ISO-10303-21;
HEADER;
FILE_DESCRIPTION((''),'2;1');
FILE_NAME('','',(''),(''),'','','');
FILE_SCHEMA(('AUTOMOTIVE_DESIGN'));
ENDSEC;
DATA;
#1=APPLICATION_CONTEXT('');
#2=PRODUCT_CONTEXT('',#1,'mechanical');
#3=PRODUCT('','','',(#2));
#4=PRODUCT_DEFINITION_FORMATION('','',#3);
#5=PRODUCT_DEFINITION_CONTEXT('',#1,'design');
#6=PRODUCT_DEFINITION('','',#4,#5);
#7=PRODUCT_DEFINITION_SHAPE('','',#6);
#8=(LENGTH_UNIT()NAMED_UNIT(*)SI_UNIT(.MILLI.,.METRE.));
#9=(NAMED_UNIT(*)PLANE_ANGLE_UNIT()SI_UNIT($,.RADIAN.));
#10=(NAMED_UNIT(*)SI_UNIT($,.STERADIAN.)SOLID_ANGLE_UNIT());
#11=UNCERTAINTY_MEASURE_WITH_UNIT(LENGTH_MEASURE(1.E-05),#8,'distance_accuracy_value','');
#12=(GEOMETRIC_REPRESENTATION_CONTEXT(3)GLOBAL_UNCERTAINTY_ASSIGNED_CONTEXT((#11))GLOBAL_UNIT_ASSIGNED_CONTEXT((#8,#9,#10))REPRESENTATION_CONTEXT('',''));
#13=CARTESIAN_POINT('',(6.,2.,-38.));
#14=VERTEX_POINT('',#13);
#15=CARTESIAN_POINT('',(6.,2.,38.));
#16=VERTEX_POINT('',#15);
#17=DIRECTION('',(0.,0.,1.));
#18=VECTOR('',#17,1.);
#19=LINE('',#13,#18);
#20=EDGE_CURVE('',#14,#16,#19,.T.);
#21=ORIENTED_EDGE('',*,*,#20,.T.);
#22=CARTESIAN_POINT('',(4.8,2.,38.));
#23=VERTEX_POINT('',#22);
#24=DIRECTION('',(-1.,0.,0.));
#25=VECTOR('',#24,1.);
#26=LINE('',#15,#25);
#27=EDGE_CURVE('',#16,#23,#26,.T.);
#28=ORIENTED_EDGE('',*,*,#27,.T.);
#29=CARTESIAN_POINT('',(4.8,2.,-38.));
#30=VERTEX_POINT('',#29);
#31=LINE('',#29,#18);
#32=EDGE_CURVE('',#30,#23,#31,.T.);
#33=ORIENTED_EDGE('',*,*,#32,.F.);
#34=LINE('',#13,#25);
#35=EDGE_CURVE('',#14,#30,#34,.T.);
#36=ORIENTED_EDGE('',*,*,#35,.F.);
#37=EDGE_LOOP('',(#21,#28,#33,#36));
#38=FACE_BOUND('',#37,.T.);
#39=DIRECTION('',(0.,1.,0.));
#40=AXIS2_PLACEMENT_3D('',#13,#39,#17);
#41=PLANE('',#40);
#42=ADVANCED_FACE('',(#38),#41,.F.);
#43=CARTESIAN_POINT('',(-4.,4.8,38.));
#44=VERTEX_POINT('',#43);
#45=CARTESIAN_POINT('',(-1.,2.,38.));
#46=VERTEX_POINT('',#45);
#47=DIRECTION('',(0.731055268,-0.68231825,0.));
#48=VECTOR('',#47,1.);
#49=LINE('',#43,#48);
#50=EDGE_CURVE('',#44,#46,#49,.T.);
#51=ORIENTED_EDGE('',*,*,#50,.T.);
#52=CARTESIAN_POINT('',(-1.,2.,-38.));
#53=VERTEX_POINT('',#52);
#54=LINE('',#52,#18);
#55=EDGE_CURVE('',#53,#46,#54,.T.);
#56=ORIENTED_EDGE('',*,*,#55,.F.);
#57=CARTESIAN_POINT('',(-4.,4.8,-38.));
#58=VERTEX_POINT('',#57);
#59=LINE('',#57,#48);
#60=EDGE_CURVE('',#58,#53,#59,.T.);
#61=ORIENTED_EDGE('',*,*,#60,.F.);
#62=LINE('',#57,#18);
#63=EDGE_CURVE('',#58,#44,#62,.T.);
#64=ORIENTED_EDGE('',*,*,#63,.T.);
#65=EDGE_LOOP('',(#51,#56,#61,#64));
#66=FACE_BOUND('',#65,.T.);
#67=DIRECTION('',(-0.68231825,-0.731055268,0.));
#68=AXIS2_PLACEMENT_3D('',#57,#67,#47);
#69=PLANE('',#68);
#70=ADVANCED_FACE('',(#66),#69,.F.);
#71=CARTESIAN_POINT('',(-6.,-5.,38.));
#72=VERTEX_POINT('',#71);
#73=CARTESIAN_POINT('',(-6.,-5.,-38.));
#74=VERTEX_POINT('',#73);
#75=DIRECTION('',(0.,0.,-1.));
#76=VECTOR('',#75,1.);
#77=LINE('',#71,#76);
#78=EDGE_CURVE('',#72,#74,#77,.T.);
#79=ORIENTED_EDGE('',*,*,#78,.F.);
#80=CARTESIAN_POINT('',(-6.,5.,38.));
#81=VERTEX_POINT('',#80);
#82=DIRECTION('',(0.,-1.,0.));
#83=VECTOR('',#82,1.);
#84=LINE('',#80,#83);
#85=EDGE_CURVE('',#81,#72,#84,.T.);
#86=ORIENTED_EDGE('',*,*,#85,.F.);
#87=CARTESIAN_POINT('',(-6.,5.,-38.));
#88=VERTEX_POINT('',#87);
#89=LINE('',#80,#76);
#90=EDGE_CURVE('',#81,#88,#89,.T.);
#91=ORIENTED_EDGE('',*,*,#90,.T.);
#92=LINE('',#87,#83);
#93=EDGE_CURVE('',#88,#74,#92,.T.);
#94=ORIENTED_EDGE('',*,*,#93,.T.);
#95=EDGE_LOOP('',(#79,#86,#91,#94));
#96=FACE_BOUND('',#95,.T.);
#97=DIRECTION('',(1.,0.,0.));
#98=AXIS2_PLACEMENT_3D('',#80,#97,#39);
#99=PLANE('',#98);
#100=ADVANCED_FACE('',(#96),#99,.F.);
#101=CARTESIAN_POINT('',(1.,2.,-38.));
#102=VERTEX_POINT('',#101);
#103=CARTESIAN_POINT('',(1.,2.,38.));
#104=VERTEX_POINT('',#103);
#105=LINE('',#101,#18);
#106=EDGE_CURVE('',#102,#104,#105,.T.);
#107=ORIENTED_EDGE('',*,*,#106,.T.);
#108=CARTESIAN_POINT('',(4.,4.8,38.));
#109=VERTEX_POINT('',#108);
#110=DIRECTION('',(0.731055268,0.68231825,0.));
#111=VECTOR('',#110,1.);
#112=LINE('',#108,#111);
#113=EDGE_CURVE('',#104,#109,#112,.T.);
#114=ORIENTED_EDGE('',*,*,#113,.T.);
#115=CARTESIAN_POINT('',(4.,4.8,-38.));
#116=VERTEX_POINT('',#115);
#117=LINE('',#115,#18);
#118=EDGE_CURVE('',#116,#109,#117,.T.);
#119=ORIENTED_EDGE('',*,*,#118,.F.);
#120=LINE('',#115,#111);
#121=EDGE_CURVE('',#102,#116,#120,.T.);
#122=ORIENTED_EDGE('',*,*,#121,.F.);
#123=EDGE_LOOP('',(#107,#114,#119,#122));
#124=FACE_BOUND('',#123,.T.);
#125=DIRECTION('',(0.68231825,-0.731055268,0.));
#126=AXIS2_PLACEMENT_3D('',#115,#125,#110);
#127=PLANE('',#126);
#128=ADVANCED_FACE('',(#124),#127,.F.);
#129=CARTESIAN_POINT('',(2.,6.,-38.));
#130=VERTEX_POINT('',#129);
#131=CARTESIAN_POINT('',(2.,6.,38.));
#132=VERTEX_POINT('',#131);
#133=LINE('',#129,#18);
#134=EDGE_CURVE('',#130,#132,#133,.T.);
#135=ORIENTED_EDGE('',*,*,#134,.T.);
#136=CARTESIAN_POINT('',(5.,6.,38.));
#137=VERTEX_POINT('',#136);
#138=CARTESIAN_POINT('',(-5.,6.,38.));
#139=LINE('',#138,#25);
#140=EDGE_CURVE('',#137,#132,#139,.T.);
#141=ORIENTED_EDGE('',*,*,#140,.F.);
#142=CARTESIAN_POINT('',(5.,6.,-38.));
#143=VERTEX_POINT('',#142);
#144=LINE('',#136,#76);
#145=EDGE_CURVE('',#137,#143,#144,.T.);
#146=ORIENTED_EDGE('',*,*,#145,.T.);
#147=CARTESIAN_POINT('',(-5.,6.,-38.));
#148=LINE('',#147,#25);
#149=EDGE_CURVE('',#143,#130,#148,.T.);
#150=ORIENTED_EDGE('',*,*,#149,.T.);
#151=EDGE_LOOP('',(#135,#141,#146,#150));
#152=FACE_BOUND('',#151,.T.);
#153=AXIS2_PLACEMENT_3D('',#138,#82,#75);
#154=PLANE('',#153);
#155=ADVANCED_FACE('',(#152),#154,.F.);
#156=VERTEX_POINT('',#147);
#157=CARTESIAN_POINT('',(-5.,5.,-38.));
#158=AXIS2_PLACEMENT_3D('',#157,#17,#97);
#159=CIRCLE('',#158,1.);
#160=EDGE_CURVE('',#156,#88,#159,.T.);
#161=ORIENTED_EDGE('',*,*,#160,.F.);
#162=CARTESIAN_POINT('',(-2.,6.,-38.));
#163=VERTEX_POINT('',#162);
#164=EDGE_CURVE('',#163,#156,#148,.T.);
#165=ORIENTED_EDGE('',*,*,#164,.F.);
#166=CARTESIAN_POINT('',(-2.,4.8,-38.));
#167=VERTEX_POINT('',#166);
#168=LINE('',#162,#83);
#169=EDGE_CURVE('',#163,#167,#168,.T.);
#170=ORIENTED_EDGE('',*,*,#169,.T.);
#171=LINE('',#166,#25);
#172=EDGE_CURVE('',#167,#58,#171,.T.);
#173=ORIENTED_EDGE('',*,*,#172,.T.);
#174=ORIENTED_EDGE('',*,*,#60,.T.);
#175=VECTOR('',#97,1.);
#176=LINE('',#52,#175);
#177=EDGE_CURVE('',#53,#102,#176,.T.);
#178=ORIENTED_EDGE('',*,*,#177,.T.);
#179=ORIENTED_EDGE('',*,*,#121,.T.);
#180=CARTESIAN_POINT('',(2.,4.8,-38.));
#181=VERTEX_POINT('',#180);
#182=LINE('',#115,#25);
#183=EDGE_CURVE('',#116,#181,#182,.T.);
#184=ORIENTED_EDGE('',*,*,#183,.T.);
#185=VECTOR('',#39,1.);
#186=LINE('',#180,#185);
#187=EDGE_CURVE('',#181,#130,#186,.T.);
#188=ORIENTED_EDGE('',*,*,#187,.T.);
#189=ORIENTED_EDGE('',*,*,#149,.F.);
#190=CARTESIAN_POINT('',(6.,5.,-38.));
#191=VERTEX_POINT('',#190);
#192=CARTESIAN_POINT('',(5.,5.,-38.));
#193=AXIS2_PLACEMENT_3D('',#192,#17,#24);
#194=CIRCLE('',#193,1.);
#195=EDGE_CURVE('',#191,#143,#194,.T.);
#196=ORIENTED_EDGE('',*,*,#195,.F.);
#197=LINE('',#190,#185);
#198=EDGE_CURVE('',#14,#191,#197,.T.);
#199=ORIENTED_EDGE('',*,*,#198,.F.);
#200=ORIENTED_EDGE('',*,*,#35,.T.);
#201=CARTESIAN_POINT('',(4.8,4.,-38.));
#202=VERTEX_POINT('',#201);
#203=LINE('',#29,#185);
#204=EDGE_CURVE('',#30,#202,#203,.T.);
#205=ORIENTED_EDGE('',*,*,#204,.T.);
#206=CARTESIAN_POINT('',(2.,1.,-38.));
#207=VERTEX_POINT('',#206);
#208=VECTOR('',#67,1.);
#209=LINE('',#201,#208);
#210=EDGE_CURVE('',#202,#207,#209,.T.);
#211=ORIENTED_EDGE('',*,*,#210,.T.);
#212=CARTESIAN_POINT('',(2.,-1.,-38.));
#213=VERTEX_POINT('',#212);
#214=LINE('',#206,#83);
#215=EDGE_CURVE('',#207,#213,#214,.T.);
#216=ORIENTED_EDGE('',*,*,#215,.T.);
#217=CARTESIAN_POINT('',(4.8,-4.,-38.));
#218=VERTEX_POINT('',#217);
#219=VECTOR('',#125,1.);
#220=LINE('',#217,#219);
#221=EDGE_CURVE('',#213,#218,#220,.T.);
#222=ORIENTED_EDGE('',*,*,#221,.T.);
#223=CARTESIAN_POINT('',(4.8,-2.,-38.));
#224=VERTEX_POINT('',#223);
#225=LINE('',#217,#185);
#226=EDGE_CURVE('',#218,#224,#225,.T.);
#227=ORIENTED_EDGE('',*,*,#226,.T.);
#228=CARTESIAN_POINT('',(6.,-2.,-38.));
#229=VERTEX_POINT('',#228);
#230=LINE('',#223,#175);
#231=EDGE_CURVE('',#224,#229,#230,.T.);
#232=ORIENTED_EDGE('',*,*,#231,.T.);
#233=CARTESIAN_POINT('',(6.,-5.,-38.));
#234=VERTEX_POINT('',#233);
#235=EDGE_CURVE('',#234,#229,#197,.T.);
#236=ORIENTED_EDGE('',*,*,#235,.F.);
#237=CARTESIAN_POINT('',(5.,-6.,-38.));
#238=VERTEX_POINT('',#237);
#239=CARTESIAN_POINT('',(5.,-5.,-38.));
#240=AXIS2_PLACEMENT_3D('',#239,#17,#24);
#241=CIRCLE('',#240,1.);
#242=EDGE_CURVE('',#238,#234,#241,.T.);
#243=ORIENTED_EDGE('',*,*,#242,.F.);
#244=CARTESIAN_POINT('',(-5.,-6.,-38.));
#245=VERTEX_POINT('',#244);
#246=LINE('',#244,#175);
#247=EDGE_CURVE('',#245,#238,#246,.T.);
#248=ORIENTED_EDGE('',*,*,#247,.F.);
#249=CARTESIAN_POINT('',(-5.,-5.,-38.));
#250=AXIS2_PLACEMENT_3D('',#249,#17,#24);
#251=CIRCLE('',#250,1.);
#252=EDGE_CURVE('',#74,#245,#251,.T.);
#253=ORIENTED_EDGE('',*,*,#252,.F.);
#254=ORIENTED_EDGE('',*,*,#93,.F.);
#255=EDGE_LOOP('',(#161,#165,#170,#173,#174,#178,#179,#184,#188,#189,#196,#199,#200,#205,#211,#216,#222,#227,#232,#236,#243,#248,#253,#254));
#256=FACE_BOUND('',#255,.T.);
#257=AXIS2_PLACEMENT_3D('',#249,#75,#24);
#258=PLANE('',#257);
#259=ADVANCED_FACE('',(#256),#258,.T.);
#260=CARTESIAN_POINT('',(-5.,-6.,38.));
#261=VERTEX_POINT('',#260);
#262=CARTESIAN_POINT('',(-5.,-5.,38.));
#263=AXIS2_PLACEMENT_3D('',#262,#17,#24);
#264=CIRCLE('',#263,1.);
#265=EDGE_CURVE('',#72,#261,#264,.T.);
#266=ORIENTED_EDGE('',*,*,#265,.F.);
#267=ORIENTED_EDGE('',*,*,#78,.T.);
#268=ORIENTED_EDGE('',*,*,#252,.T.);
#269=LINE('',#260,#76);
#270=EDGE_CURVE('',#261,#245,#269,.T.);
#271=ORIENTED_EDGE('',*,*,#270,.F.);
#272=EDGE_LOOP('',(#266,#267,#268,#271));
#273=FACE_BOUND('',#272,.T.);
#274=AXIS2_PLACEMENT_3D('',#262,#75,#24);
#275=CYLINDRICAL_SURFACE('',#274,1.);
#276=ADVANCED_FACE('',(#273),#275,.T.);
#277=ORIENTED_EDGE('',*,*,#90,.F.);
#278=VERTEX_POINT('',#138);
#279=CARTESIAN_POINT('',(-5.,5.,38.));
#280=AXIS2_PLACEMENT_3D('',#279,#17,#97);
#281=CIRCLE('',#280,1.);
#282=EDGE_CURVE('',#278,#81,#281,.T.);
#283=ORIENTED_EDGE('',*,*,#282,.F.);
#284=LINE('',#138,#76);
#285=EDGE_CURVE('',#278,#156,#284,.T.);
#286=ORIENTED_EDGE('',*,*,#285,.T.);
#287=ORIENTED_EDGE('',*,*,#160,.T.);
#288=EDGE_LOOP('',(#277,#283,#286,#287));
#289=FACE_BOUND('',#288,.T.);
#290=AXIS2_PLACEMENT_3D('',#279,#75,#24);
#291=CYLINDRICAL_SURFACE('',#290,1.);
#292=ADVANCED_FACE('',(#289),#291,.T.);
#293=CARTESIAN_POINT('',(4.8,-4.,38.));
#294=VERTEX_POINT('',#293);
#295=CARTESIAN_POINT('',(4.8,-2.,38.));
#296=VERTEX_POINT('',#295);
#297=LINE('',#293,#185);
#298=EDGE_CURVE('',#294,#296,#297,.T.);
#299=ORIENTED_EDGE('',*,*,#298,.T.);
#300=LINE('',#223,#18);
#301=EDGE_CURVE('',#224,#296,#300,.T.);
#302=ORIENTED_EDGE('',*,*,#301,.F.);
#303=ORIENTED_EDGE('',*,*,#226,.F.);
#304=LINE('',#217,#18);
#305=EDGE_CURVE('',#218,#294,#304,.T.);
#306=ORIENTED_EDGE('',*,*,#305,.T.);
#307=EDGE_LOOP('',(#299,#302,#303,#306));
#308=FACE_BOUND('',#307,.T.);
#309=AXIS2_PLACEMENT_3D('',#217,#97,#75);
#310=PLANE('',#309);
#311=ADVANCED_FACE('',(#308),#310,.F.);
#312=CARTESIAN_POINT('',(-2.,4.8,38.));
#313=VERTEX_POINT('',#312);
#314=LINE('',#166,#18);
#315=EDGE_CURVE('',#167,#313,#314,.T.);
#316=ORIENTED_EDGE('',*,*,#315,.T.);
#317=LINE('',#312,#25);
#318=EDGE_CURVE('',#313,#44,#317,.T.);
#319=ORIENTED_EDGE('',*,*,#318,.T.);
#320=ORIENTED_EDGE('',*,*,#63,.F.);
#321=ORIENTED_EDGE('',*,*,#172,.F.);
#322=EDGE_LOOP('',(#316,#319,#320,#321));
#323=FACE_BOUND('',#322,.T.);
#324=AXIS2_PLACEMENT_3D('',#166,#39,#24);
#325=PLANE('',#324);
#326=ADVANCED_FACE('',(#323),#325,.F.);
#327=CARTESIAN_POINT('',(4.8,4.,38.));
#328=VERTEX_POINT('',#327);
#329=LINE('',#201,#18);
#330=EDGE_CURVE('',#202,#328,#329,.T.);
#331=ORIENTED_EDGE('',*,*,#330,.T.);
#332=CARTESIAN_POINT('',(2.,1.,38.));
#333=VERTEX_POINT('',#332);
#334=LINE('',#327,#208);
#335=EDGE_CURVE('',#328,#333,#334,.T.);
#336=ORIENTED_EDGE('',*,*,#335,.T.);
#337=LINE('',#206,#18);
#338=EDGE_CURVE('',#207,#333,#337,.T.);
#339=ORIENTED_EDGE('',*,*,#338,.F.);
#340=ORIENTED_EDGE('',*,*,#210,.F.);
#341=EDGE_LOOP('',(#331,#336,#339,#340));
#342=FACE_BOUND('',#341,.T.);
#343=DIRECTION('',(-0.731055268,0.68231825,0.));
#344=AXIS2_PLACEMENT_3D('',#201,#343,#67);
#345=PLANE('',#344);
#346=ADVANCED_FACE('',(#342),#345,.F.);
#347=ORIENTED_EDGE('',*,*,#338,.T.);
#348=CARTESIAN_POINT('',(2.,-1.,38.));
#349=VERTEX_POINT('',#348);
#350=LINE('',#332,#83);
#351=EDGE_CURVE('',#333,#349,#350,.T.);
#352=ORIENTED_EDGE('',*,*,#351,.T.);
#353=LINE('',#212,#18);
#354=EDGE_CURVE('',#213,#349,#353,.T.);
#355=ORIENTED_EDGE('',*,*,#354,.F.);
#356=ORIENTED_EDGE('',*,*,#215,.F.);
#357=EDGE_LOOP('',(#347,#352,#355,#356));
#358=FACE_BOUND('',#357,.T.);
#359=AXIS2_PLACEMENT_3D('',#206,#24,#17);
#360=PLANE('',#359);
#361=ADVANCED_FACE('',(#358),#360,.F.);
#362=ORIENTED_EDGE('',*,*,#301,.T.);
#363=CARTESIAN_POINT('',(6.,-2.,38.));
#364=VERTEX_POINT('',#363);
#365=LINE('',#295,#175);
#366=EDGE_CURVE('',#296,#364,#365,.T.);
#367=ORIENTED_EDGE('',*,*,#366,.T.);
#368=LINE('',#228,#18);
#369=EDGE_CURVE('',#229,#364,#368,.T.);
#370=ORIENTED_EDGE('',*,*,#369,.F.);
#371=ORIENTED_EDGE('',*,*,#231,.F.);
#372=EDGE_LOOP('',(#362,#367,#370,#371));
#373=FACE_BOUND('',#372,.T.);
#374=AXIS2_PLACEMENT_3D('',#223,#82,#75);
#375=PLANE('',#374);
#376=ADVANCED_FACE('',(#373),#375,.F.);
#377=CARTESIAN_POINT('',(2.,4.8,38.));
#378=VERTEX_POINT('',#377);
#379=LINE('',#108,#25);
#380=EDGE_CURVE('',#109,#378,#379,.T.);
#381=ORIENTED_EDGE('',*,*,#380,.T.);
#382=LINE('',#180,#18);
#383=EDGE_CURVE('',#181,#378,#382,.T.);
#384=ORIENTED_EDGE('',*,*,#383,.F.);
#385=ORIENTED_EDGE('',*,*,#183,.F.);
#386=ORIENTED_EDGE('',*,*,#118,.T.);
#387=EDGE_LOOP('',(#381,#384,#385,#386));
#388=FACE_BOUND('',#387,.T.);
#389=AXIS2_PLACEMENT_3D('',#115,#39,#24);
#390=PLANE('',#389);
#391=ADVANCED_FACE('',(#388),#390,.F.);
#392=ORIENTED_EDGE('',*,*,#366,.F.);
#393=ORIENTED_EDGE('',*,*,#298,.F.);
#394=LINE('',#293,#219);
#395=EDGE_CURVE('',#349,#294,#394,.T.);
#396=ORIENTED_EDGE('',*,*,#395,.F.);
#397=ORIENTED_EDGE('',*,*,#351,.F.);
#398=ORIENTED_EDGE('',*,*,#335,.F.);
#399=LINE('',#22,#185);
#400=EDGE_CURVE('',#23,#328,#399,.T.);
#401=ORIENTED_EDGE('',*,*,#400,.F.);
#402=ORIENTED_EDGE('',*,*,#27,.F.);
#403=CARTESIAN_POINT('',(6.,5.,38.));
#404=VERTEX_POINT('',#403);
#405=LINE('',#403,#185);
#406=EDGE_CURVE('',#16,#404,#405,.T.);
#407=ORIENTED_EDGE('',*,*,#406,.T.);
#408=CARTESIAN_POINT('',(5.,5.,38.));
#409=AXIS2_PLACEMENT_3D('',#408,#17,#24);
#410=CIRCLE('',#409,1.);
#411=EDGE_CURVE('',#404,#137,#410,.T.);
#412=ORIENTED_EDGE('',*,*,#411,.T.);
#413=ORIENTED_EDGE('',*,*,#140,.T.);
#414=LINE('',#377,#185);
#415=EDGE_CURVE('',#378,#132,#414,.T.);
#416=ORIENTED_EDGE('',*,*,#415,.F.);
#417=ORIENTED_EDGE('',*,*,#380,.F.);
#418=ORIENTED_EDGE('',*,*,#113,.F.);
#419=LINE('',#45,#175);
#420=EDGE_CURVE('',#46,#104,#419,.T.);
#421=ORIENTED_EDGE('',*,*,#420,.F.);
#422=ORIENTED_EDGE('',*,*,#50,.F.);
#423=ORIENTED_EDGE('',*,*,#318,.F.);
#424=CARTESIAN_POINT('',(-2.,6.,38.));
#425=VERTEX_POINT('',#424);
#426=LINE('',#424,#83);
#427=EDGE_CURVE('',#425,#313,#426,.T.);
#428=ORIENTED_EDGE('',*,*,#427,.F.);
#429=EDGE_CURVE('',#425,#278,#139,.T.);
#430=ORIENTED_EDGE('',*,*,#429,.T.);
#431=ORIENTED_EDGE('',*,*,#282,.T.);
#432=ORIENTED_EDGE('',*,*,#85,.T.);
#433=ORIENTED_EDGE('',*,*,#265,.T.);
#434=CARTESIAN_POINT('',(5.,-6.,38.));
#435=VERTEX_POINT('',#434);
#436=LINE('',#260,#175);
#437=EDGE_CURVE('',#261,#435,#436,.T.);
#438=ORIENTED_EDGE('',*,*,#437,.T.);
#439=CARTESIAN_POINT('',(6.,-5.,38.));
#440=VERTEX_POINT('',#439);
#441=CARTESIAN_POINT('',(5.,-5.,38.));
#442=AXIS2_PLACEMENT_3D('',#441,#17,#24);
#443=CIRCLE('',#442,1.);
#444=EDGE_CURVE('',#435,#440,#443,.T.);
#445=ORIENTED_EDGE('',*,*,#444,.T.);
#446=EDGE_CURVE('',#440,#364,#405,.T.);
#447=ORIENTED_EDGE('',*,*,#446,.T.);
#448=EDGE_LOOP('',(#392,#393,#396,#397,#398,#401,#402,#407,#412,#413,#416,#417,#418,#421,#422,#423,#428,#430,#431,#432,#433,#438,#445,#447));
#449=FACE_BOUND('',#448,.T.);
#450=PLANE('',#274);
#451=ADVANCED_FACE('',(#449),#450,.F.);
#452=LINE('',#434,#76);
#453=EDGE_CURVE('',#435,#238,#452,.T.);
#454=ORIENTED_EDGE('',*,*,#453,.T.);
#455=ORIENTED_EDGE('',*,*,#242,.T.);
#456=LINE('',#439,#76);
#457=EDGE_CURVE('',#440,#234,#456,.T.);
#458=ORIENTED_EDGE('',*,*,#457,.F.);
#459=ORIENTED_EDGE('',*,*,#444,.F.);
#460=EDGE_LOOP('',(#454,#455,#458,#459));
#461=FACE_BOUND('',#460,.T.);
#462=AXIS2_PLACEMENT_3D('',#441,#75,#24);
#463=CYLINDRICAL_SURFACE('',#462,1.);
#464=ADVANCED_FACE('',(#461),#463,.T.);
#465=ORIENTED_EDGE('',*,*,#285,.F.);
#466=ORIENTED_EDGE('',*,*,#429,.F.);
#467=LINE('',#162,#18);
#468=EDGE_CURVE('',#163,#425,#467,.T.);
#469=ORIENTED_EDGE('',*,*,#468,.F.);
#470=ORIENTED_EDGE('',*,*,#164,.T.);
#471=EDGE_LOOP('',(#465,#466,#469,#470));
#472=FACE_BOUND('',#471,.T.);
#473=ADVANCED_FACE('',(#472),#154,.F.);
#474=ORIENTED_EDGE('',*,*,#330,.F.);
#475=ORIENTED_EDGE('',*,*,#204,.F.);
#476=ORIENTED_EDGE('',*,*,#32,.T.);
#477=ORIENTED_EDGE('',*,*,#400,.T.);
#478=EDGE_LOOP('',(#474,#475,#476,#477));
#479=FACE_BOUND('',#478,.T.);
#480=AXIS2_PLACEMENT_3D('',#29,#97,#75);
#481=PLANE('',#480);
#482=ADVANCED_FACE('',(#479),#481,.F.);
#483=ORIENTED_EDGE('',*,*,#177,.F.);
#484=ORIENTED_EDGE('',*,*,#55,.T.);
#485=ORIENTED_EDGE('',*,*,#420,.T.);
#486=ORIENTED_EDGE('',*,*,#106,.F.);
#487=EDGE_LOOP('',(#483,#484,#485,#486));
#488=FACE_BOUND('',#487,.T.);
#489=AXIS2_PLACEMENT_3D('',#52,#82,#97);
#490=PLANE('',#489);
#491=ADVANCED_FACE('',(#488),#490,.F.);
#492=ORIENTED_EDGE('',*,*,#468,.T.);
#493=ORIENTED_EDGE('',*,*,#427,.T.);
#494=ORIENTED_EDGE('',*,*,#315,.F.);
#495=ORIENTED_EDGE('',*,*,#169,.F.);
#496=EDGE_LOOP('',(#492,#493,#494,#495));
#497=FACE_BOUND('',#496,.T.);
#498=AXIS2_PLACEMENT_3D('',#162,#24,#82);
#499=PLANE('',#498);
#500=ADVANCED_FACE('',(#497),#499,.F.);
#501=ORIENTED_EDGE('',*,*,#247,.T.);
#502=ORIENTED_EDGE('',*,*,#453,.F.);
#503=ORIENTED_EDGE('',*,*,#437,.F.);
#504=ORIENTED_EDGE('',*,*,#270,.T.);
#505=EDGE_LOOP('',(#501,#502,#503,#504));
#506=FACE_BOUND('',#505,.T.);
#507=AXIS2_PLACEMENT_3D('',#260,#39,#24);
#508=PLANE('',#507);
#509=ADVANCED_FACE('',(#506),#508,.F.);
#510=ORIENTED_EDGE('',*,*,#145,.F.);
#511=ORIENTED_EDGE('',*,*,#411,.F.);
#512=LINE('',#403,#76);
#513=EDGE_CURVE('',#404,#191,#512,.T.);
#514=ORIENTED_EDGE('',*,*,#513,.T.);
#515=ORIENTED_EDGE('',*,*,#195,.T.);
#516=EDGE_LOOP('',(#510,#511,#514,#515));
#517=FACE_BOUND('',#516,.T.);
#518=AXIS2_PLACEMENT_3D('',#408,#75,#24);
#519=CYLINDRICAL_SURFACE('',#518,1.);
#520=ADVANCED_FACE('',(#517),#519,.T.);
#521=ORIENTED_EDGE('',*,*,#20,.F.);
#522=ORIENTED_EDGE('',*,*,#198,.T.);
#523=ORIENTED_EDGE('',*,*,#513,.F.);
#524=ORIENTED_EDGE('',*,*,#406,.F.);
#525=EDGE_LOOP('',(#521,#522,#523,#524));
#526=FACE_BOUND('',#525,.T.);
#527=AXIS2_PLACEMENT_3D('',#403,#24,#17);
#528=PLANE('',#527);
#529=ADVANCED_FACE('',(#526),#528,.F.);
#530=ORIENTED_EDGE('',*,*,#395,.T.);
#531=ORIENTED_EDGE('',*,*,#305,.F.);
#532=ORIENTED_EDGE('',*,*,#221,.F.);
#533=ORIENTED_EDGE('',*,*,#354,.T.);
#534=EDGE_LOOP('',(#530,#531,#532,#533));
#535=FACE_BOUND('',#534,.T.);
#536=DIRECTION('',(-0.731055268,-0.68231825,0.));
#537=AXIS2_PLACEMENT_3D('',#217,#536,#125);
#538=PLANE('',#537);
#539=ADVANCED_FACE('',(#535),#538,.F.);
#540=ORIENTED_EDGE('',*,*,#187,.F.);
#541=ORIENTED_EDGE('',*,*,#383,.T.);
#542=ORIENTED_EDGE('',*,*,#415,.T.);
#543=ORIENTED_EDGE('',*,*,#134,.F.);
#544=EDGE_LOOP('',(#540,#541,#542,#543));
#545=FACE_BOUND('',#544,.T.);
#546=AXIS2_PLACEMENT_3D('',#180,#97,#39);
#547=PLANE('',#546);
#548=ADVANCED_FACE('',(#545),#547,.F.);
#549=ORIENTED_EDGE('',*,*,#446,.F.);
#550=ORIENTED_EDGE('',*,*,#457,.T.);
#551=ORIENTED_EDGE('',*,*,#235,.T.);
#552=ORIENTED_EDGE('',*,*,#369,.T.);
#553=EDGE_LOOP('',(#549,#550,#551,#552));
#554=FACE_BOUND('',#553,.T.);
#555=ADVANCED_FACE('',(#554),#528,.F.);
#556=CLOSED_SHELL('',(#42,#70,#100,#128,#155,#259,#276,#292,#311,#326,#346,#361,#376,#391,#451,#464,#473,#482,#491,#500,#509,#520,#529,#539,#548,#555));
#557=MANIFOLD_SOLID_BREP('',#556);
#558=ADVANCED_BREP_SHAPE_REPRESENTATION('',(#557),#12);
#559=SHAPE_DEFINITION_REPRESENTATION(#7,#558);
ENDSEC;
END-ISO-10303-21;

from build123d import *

# Parameters (mm, degrees)
EXTRUSION1_DEPTH             = 38
ENL_V_MAT_EXTRU_1_DEPTH      = 77.472217177
R_P_TITION_CIRCULAIRE1_COUNT = 2
R_P_TITION_CIRCULAIRE1_ANGLE = 90


with BuildPart() as part:
    # Esquisse1 → Extrusion1 (new, symmetric)
    with BuildSketch(Plane.XY):
        with BuildLine():
            Line((-6, 5), (-6, -5))
            ThreePointArc((-6, -5), (-5.707106781, -5.707106781), (-5, -6))
            Line((-5, -6), (5, -6))
            ThreePointArc((5, -6), (5.707106781, -5.707106781), (6, -5))
            Line((6, -5), (6, 5))
            ThreePointArc((6, 5), (5.707106781, 5.707106781), (5, 6))
            Line((5, 6), (-5, 6))
            ThreePointArc((-5, 6), (-5.707106781, 5.707106781), (-6, 5))
        make_face()
    extrude(amount=EXTRUSION1_DEPTH, both=True)

    # Esquisse3 → Enlèv. mat.-Extru.1 (cut, through all)
    with BuildSketch(Plane.XY.offset(38)):
        Polygon((6, 2), (4.8, 2), (4.8, 4), (2, 1), (2, -1), (4.8, -4), (4.8, -2), (6, -2), align=None)
    enl_v_mat_extru_1 = extrude(amount=-ENL_V_MAT_EXTRU_1_DEPTH, mode=Mode.SUBTRACT)

    # Répétition circulaire1: Enlèv. mat.-Extru.1 ×2 about axis
    r_p_tition_circulaire1_axis = Axis((0, 0, -1), (0, 0, 1))
    for i in range(1, R_P_TITION_CIRCULAIRE1_COUNT):
        add(enl_v_mat_extru_1.rotate(r_p_tition_circulaire1_axis, i * R_P_TITION_CIRCULAIRE1_ANGLE / (R_P_TITION_CIRCULAIRE1_COUNT - 1)), mode=Mode.SUBTRACT)


solid = part.part
